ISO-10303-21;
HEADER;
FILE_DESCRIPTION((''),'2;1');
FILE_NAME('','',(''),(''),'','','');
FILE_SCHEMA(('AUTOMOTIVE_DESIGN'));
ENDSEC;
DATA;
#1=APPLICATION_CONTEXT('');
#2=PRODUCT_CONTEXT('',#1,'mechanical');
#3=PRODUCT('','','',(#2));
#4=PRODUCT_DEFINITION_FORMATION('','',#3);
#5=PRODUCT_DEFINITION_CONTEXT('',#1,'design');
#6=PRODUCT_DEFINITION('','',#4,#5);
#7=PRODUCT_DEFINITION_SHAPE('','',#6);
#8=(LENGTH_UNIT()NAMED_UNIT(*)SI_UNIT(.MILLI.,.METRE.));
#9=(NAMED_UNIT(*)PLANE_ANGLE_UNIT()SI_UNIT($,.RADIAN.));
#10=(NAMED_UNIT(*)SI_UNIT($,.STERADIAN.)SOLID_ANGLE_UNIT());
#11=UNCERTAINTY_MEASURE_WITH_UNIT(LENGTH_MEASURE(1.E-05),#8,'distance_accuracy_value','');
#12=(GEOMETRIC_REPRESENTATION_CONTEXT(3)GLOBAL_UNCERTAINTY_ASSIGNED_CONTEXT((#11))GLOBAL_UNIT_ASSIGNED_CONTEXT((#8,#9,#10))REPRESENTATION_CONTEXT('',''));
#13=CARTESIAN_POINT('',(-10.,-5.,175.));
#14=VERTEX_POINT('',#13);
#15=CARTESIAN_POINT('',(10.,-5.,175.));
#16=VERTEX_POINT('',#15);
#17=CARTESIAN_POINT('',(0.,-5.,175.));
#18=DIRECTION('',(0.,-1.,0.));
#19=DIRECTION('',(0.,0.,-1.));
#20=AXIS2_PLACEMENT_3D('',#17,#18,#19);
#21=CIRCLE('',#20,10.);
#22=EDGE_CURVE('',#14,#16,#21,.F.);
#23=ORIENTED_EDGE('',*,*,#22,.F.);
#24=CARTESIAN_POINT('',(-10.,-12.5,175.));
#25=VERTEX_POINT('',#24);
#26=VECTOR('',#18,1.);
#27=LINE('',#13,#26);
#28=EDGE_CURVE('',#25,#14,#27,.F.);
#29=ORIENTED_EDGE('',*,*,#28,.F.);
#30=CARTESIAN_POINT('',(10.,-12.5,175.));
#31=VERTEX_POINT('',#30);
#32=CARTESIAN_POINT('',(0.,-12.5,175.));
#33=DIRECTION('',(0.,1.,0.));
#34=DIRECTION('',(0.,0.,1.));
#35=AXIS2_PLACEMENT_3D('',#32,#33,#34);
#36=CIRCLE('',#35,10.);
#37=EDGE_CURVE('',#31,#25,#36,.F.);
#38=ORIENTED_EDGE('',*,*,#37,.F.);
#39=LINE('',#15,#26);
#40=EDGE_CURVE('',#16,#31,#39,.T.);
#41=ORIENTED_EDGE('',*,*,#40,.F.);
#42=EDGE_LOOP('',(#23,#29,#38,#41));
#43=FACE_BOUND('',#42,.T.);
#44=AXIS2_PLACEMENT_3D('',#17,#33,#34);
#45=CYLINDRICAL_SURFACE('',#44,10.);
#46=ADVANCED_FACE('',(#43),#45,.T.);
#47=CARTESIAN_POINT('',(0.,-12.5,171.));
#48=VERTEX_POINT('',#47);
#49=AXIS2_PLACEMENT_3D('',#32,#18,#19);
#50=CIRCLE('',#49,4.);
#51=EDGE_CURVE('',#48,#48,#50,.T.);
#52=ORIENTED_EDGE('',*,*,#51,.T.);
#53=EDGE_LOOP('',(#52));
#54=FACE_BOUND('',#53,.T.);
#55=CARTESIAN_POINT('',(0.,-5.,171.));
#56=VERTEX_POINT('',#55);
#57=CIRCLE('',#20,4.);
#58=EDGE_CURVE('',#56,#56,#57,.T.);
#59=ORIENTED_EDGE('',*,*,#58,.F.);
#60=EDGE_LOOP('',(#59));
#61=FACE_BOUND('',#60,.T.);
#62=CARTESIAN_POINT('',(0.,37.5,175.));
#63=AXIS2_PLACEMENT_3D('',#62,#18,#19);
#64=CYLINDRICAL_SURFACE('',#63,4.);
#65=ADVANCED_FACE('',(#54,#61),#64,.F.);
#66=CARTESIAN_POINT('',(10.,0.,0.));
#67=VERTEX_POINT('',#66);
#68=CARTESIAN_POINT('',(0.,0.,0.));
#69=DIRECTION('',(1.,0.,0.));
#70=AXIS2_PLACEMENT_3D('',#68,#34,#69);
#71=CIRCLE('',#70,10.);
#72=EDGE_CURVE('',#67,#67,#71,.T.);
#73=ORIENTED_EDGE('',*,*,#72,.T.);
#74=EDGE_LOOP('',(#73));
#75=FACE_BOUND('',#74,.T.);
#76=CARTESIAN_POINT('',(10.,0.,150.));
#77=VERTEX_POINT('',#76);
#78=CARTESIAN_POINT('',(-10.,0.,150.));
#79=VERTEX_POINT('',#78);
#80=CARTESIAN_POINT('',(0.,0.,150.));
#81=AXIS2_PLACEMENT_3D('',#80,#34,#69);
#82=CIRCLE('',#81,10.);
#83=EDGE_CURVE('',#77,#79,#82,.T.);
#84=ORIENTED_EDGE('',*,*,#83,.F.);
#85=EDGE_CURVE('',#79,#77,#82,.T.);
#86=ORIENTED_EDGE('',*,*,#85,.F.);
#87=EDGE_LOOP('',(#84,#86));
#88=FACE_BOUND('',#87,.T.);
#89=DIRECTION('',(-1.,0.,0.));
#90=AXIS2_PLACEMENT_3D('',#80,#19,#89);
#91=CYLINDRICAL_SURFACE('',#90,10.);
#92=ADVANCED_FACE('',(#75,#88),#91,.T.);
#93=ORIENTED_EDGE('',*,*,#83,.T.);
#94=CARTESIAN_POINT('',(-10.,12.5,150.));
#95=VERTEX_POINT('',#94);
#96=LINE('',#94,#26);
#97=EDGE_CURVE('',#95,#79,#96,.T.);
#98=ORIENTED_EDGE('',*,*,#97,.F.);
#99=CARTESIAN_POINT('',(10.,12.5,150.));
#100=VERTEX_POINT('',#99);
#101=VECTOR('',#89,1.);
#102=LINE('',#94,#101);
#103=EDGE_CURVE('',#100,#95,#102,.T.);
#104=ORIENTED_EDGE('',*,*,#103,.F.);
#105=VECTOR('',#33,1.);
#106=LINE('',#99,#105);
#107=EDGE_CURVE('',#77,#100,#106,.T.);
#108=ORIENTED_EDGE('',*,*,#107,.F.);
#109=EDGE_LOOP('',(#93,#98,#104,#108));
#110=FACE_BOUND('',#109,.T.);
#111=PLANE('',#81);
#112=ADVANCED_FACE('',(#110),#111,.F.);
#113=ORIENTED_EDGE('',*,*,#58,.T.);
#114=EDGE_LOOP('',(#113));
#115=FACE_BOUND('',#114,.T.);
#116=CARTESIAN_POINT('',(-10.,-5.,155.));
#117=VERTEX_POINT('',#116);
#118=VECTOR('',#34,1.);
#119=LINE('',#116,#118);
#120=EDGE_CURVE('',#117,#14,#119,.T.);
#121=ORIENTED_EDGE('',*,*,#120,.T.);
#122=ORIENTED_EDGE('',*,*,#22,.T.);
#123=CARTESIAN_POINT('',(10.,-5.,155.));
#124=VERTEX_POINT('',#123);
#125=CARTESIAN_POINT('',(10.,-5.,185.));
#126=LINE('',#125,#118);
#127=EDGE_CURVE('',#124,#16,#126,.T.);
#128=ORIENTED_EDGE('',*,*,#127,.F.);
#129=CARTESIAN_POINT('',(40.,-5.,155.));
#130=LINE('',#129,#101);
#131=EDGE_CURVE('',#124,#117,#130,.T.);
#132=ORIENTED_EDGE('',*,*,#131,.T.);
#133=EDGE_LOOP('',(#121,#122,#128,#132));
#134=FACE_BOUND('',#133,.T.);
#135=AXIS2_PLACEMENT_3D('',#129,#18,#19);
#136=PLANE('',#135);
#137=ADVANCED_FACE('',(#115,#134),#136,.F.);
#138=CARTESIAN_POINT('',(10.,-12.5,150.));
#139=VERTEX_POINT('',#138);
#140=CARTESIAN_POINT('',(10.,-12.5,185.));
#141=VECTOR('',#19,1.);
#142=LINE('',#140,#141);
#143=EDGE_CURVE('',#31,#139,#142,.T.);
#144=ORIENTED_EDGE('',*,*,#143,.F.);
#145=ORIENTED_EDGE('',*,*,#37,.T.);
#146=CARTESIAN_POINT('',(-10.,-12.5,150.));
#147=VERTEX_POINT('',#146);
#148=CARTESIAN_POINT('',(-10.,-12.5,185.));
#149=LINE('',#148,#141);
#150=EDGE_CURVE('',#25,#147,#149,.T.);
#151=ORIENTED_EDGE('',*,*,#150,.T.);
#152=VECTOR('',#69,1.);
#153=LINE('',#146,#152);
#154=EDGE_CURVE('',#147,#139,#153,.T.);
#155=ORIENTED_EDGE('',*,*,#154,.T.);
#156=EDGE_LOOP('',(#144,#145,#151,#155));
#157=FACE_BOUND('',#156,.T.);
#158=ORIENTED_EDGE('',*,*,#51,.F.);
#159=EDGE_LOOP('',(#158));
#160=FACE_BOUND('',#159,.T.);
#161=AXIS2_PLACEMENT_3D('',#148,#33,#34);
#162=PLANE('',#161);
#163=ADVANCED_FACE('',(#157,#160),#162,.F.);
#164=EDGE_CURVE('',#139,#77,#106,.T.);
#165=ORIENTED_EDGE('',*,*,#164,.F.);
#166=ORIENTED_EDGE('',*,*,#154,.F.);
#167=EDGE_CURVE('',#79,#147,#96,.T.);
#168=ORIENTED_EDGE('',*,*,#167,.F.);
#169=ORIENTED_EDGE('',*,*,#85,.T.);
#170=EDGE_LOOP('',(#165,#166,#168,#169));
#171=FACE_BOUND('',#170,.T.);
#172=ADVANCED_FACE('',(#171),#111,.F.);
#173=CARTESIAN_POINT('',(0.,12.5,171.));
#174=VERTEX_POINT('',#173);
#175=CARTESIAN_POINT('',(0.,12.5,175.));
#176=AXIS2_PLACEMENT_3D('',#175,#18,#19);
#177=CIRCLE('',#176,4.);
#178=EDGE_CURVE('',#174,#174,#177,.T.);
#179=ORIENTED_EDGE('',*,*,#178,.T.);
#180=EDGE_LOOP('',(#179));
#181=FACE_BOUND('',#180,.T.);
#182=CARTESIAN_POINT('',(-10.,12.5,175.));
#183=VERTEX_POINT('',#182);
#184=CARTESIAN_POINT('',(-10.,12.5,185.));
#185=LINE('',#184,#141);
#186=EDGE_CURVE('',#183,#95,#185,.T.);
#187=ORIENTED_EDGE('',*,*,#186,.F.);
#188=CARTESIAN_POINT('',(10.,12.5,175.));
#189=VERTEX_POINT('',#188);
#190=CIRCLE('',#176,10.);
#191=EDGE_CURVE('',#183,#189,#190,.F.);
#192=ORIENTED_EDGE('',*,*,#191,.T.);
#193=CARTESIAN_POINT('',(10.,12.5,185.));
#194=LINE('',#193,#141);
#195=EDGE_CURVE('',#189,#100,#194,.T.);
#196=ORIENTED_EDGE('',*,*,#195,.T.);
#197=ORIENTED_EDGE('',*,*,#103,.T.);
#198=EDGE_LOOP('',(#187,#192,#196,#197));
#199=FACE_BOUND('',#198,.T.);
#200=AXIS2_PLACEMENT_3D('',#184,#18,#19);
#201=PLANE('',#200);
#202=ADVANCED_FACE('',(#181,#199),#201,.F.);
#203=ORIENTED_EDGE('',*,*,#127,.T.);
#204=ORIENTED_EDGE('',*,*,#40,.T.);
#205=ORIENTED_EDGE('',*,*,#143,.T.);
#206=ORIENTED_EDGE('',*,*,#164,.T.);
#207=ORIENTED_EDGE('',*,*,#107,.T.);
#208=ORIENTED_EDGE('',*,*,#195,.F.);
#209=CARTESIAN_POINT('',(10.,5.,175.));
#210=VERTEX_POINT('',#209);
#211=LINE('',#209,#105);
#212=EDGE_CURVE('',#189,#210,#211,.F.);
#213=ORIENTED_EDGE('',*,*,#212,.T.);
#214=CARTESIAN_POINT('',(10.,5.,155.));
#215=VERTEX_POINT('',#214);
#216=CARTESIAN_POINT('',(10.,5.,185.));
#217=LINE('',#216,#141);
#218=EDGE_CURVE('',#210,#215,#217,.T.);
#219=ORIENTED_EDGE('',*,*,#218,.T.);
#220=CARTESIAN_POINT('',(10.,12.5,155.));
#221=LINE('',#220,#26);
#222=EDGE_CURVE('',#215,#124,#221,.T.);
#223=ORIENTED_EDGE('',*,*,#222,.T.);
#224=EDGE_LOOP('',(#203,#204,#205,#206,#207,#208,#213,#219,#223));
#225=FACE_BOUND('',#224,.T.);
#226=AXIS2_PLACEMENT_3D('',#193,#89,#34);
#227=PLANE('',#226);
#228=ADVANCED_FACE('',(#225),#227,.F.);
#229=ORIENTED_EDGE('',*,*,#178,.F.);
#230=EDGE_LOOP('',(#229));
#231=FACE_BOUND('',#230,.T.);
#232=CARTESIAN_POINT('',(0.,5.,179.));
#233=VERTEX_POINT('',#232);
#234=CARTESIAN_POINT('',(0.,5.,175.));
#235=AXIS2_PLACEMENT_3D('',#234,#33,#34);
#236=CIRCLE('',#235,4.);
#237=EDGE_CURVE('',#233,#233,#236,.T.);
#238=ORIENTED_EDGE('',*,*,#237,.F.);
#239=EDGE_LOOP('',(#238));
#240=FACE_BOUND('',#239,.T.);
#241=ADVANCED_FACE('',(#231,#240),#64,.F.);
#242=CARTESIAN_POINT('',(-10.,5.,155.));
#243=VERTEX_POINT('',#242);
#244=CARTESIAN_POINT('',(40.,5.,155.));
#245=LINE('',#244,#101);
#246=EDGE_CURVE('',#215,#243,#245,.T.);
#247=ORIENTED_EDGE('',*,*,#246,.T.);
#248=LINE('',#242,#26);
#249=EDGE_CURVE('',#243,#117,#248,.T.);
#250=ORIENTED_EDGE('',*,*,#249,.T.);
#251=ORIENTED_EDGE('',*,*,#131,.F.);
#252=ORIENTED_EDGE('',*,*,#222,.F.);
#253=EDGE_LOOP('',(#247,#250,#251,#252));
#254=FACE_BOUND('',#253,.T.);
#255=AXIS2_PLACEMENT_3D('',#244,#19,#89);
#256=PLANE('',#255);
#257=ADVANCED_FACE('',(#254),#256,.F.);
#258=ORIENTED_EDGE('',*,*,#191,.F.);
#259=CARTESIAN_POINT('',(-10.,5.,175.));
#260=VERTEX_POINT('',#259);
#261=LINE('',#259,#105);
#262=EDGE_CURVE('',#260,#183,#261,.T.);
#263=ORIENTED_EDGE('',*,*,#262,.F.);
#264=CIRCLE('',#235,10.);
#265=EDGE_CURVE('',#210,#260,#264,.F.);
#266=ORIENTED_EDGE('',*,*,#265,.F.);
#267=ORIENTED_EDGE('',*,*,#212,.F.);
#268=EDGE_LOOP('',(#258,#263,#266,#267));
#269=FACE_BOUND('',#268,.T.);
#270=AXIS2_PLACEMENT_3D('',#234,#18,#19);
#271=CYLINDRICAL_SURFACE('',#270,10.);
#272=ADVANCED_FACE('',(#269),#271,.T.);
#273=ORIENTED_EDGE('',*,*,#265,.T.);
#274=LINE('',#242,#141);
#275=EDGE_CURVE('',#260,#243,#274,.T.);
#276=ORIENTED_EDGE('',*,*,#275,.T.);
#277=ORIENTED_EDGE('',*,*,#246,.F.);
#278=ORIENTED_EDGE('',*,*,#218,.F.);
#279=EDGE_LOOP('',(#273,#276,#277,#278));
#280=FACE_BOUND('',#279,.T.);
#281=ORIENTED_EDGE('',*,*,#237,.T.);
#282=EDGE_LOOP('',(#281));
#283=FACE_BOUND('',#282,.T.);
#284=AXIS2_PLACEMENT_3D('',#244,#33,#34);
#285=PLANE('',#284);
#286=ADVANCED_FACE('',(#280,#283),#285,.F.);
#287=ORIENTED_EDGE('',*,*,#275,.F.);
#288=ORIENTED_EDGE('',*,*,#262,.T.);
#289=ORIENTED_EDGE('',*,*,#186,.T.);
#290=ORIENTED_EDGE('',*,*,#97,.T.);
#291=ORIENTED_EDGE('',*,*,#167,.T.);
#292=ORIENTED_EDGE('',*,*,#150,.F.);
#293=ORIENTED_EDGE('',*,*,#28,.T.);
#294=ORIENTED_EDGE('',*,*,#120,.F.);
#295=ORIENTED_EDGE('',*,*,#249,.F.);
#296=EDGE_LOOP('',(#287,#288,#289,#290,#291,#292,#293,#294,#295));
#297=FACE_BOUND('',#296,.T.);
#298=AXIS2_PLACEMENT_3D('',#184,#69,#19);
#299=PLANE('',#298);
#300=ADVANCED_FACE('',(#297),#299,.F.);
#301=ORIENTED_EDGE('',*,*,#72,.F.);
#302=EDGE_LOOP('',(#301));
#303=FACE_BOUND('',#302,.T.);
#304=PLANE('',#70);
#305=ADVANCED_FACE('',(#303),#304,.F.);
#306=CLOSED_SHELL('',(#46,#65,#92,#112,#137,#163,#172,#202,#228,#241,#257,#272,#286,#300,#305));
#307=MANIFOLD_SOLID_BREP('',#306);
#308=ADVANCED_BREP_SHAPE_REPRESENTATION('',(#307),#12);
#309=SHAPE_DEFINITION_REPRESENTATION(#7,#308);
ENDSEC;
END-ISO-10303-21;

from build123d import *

# Parameters (mm, degrees)
SKETCH_2_R          = 10
EXTRUDE_1_DEPTH     = 150
SKETCH_3_W          = 20
SKETCH_3_H          = 25
EXTRUDE_2_DEPTH     = 35
SKETCH_4_W          = 60
SKETCH_4_H          = 10
CUT_EXTRUDE_1_DEPTH = 50
SKETCH_5_R          = 4
CUT_EXTRUDE_2_DEPTH = 50
FILLET_3_RADIUS     = 10
FILLET_3_LENGTH     = 7.5
FILLET_4_RADIUS     = 10
FILLET_4_LENGTH     = 7.5


with BuildPart() as part:
    # 草图2 → 凸台-拉伸1 (new body)
    with BuildSketch(Plane.XY):
        Circle(SKETCH_2_R)
    extrude(amount=EXTRUDE_1_DEPTH)

    # 草图3 → 凸台-拉伸2 (add)
    with BuildSketch(Plane.XY.offset(150)):
        Rectangle(SKETCH_3_W, SKETCH_3_H)
    extrude(amount=EXTRUDE_2_DEPTH)

    # 草图4 → 切除-拉伸1 (cut)
    with BuildSketch(Plane.ZY.offset(10)):
        with Locations((185, 0)):
            Rectangle(SKETCH_4_W, SKETCH_4_H)
    extrude(amount=-CUT_EXTRUDE_1_DEPTH, mode=Mode.SUBTRACT)

    # 草图5 → 切除-拉伸2 (cut)
    with BuildSketch(Plane.XZ.offset(12.5)):
        with Locations(Location((0, 175, 0), (0, 0, 270))):
            Circle(SKETCH_5_R)
    extrude(amount=-CUT_EXTRUDE_2_DEPTH, mode=Mode.SUBTRACT)

    # 圆角3: full round fillet: the end face becomes a half cylinder, R = half its width
    fillet_3_face = Plane((0, -8.75, 185), x_dir=(0, -1, 0), z_dir=(0, 0, 1))  # on the end face: x along it, z out of the body
    fillet_3_slab = fillet_3_face.offset(-FILLET_3_RADIUS / 2) * Box(FILLET_3_LENGTH, 2 * FILLET_3_RADIUS, FILLET_3_RADIUS, mode=Mode.PRIVATE)  # the body's end, R deep
    fillet_3_round = Plane((0, -8.75, 175), x_dir=(0, 0, 1), z_dir=(0, -1, 0)) * Cylinder(FILLET_3_RADIUS, FILLET_3_LENGTH, mode=Mode.PRIVATE)  # its axis R under the face
    add(fillet_3_slab - fillet_3_round, mode=Mode.SUBTRACT)

    # 圆角4: full round fillet: the end face becomes a half cylinder, R = half its width
    fillet_4_face = Plane((0, 8.75, 185), x_dir=(0, 1, 0), z_dir=(0, 0, 1))  # on the end face: x along it, z out of the body
    fillet_4_slab = fillet_4_face.offset(-FILLET_4_RADIUS / 2) * Box(FILLET_4_LENGTH, 2 * FILLET_4_RADIUS, FILLET_4_RADIUS, mode=Mode.PRIVATE)  # the body's end, R deep
    fillet_4_round = Plane((0, 8.75, 175), x_dir=(0, 0, 1), z_dir=(0, 1, 0)) * Cylinder(FILLET_4_RADIUS, FILLET_4_LENGTH, mode=Mode.PRIVATE)  # its axis R under the face
    add(fillet_4_slab - fillet_4_round, mode=Mode.SUBTRACT)


solid = part.part
